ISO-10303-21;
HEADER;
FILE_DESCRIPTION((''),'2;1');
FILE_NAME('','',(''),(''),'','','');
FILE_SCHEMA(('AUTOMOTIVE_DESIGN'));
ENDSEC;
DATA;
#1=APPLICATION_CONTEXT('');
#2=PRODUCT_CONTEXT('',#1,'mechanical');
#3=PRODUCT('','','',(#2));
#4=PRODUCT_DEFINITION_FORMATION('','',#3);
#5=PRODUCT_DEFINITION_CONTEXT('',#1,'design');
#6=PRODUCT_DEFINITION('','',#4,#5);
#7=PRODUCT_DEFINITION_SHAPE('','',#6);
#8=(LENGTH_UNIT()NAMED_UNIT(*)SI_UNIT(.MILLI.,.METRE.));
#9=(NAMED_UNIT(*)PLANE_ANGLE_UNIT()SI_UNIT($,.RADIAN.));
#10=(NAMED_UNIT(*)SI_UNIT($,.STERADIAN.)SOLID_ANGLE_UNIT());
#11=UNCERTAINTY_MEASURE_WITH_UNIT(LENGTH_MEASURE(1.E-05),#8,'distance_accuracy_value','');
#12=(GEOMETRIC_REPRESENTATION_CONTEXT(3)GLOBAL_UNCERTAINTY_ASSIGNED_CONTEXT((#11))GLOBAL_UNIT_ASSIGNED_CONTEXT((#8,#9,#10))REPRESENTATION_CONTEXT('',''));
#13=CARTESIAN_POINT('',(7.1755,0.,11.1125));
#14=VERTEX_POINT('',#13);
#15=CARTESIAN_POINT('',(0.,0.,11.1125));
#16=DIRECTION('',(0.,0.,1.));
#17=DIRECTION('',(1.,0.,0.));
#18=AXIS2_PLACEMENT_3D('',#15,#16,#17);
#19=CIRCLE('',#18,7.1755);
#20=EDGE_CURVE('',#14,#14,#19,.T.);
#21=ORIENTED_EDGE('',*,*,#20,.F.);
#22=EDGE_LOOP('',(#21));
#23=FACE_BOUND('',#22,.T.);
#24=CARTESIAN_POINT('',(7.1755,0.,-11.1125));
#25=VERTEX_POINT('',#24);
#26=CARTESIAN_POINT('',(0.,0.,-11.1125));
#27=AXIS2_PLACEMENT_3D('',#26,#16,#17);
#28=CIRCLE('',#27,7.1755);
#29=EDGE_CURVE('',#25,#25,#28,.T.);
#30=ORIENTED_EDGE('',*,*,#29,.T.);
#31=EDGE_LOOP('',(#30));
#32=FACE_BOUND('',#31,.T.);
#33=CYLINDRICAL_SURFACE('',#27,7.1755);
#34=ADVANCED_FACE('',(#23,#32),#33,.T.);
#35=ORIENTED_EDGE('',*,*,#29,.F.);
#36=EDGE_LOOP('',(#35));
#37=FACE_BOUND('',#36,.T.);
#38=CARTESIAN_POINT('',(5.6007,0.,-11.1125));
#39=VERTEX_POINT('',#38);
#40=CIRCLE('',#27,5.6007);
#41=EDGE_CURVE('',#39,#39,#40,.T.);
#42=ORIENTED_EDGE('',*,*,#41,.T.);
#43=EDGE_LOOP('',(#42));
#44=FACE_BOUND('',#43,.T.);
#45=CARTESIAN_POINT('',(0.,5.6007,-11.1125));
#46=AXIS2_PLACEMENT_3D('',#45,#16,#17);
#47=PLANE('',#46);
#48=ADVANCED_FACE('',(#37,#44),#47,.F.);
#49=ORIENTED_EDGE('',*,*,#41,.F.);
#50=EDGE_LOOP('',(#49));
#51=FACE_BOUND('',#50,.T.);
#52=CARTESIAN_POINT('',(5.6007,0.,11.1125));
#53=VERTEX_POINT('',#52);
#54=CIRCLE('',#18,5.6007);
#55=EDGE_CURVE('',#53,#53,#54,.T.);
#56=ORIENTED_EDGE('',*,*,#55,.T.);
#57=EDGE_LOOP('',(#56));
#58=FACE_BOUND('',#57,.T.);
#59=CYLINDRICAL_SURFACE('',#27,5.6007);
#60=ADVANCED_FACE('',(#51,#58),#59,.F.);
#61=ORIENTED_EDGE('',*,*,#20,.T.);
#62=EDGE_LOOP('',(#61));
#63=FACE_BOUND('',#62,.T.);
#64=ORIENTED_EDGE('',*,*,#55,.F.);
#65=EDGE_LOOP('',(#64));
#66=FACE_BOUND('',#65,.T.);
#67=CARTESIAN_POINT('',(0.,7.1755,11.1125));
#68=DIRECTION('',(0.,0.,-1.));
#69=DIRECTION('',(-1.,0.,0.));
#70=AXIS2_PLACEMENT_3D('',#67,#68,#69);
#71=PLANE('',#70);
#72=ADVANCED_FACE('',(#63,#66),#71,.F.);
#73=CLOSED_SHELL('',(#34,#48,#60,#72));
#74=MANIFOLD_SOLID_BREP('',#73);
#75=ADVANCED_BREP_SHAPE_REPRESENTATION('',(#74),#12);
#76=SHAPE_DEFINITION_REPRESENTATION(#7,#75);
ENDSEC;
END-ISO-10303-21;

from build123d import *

# Parameters (mm, degrees)
SKETCH1_W = 22.225
SKETCH1_H = 1.5748


with BuildPart() as part:
    # Sketch1 → Revolve1 (revolve)
    with BuildSketch(Plane(origin=(0, 0, 0), x_dir=(0, 0, -1), z_dir=(1, 0, 0))):
        with Locations((0, 6.3881)):
            Rectangle(SKETCH1_W, SKETCH1_H)
    revolve(axis=Axis((0, 0, -11.1125), (0, 0, 1)))


solid = part.part
